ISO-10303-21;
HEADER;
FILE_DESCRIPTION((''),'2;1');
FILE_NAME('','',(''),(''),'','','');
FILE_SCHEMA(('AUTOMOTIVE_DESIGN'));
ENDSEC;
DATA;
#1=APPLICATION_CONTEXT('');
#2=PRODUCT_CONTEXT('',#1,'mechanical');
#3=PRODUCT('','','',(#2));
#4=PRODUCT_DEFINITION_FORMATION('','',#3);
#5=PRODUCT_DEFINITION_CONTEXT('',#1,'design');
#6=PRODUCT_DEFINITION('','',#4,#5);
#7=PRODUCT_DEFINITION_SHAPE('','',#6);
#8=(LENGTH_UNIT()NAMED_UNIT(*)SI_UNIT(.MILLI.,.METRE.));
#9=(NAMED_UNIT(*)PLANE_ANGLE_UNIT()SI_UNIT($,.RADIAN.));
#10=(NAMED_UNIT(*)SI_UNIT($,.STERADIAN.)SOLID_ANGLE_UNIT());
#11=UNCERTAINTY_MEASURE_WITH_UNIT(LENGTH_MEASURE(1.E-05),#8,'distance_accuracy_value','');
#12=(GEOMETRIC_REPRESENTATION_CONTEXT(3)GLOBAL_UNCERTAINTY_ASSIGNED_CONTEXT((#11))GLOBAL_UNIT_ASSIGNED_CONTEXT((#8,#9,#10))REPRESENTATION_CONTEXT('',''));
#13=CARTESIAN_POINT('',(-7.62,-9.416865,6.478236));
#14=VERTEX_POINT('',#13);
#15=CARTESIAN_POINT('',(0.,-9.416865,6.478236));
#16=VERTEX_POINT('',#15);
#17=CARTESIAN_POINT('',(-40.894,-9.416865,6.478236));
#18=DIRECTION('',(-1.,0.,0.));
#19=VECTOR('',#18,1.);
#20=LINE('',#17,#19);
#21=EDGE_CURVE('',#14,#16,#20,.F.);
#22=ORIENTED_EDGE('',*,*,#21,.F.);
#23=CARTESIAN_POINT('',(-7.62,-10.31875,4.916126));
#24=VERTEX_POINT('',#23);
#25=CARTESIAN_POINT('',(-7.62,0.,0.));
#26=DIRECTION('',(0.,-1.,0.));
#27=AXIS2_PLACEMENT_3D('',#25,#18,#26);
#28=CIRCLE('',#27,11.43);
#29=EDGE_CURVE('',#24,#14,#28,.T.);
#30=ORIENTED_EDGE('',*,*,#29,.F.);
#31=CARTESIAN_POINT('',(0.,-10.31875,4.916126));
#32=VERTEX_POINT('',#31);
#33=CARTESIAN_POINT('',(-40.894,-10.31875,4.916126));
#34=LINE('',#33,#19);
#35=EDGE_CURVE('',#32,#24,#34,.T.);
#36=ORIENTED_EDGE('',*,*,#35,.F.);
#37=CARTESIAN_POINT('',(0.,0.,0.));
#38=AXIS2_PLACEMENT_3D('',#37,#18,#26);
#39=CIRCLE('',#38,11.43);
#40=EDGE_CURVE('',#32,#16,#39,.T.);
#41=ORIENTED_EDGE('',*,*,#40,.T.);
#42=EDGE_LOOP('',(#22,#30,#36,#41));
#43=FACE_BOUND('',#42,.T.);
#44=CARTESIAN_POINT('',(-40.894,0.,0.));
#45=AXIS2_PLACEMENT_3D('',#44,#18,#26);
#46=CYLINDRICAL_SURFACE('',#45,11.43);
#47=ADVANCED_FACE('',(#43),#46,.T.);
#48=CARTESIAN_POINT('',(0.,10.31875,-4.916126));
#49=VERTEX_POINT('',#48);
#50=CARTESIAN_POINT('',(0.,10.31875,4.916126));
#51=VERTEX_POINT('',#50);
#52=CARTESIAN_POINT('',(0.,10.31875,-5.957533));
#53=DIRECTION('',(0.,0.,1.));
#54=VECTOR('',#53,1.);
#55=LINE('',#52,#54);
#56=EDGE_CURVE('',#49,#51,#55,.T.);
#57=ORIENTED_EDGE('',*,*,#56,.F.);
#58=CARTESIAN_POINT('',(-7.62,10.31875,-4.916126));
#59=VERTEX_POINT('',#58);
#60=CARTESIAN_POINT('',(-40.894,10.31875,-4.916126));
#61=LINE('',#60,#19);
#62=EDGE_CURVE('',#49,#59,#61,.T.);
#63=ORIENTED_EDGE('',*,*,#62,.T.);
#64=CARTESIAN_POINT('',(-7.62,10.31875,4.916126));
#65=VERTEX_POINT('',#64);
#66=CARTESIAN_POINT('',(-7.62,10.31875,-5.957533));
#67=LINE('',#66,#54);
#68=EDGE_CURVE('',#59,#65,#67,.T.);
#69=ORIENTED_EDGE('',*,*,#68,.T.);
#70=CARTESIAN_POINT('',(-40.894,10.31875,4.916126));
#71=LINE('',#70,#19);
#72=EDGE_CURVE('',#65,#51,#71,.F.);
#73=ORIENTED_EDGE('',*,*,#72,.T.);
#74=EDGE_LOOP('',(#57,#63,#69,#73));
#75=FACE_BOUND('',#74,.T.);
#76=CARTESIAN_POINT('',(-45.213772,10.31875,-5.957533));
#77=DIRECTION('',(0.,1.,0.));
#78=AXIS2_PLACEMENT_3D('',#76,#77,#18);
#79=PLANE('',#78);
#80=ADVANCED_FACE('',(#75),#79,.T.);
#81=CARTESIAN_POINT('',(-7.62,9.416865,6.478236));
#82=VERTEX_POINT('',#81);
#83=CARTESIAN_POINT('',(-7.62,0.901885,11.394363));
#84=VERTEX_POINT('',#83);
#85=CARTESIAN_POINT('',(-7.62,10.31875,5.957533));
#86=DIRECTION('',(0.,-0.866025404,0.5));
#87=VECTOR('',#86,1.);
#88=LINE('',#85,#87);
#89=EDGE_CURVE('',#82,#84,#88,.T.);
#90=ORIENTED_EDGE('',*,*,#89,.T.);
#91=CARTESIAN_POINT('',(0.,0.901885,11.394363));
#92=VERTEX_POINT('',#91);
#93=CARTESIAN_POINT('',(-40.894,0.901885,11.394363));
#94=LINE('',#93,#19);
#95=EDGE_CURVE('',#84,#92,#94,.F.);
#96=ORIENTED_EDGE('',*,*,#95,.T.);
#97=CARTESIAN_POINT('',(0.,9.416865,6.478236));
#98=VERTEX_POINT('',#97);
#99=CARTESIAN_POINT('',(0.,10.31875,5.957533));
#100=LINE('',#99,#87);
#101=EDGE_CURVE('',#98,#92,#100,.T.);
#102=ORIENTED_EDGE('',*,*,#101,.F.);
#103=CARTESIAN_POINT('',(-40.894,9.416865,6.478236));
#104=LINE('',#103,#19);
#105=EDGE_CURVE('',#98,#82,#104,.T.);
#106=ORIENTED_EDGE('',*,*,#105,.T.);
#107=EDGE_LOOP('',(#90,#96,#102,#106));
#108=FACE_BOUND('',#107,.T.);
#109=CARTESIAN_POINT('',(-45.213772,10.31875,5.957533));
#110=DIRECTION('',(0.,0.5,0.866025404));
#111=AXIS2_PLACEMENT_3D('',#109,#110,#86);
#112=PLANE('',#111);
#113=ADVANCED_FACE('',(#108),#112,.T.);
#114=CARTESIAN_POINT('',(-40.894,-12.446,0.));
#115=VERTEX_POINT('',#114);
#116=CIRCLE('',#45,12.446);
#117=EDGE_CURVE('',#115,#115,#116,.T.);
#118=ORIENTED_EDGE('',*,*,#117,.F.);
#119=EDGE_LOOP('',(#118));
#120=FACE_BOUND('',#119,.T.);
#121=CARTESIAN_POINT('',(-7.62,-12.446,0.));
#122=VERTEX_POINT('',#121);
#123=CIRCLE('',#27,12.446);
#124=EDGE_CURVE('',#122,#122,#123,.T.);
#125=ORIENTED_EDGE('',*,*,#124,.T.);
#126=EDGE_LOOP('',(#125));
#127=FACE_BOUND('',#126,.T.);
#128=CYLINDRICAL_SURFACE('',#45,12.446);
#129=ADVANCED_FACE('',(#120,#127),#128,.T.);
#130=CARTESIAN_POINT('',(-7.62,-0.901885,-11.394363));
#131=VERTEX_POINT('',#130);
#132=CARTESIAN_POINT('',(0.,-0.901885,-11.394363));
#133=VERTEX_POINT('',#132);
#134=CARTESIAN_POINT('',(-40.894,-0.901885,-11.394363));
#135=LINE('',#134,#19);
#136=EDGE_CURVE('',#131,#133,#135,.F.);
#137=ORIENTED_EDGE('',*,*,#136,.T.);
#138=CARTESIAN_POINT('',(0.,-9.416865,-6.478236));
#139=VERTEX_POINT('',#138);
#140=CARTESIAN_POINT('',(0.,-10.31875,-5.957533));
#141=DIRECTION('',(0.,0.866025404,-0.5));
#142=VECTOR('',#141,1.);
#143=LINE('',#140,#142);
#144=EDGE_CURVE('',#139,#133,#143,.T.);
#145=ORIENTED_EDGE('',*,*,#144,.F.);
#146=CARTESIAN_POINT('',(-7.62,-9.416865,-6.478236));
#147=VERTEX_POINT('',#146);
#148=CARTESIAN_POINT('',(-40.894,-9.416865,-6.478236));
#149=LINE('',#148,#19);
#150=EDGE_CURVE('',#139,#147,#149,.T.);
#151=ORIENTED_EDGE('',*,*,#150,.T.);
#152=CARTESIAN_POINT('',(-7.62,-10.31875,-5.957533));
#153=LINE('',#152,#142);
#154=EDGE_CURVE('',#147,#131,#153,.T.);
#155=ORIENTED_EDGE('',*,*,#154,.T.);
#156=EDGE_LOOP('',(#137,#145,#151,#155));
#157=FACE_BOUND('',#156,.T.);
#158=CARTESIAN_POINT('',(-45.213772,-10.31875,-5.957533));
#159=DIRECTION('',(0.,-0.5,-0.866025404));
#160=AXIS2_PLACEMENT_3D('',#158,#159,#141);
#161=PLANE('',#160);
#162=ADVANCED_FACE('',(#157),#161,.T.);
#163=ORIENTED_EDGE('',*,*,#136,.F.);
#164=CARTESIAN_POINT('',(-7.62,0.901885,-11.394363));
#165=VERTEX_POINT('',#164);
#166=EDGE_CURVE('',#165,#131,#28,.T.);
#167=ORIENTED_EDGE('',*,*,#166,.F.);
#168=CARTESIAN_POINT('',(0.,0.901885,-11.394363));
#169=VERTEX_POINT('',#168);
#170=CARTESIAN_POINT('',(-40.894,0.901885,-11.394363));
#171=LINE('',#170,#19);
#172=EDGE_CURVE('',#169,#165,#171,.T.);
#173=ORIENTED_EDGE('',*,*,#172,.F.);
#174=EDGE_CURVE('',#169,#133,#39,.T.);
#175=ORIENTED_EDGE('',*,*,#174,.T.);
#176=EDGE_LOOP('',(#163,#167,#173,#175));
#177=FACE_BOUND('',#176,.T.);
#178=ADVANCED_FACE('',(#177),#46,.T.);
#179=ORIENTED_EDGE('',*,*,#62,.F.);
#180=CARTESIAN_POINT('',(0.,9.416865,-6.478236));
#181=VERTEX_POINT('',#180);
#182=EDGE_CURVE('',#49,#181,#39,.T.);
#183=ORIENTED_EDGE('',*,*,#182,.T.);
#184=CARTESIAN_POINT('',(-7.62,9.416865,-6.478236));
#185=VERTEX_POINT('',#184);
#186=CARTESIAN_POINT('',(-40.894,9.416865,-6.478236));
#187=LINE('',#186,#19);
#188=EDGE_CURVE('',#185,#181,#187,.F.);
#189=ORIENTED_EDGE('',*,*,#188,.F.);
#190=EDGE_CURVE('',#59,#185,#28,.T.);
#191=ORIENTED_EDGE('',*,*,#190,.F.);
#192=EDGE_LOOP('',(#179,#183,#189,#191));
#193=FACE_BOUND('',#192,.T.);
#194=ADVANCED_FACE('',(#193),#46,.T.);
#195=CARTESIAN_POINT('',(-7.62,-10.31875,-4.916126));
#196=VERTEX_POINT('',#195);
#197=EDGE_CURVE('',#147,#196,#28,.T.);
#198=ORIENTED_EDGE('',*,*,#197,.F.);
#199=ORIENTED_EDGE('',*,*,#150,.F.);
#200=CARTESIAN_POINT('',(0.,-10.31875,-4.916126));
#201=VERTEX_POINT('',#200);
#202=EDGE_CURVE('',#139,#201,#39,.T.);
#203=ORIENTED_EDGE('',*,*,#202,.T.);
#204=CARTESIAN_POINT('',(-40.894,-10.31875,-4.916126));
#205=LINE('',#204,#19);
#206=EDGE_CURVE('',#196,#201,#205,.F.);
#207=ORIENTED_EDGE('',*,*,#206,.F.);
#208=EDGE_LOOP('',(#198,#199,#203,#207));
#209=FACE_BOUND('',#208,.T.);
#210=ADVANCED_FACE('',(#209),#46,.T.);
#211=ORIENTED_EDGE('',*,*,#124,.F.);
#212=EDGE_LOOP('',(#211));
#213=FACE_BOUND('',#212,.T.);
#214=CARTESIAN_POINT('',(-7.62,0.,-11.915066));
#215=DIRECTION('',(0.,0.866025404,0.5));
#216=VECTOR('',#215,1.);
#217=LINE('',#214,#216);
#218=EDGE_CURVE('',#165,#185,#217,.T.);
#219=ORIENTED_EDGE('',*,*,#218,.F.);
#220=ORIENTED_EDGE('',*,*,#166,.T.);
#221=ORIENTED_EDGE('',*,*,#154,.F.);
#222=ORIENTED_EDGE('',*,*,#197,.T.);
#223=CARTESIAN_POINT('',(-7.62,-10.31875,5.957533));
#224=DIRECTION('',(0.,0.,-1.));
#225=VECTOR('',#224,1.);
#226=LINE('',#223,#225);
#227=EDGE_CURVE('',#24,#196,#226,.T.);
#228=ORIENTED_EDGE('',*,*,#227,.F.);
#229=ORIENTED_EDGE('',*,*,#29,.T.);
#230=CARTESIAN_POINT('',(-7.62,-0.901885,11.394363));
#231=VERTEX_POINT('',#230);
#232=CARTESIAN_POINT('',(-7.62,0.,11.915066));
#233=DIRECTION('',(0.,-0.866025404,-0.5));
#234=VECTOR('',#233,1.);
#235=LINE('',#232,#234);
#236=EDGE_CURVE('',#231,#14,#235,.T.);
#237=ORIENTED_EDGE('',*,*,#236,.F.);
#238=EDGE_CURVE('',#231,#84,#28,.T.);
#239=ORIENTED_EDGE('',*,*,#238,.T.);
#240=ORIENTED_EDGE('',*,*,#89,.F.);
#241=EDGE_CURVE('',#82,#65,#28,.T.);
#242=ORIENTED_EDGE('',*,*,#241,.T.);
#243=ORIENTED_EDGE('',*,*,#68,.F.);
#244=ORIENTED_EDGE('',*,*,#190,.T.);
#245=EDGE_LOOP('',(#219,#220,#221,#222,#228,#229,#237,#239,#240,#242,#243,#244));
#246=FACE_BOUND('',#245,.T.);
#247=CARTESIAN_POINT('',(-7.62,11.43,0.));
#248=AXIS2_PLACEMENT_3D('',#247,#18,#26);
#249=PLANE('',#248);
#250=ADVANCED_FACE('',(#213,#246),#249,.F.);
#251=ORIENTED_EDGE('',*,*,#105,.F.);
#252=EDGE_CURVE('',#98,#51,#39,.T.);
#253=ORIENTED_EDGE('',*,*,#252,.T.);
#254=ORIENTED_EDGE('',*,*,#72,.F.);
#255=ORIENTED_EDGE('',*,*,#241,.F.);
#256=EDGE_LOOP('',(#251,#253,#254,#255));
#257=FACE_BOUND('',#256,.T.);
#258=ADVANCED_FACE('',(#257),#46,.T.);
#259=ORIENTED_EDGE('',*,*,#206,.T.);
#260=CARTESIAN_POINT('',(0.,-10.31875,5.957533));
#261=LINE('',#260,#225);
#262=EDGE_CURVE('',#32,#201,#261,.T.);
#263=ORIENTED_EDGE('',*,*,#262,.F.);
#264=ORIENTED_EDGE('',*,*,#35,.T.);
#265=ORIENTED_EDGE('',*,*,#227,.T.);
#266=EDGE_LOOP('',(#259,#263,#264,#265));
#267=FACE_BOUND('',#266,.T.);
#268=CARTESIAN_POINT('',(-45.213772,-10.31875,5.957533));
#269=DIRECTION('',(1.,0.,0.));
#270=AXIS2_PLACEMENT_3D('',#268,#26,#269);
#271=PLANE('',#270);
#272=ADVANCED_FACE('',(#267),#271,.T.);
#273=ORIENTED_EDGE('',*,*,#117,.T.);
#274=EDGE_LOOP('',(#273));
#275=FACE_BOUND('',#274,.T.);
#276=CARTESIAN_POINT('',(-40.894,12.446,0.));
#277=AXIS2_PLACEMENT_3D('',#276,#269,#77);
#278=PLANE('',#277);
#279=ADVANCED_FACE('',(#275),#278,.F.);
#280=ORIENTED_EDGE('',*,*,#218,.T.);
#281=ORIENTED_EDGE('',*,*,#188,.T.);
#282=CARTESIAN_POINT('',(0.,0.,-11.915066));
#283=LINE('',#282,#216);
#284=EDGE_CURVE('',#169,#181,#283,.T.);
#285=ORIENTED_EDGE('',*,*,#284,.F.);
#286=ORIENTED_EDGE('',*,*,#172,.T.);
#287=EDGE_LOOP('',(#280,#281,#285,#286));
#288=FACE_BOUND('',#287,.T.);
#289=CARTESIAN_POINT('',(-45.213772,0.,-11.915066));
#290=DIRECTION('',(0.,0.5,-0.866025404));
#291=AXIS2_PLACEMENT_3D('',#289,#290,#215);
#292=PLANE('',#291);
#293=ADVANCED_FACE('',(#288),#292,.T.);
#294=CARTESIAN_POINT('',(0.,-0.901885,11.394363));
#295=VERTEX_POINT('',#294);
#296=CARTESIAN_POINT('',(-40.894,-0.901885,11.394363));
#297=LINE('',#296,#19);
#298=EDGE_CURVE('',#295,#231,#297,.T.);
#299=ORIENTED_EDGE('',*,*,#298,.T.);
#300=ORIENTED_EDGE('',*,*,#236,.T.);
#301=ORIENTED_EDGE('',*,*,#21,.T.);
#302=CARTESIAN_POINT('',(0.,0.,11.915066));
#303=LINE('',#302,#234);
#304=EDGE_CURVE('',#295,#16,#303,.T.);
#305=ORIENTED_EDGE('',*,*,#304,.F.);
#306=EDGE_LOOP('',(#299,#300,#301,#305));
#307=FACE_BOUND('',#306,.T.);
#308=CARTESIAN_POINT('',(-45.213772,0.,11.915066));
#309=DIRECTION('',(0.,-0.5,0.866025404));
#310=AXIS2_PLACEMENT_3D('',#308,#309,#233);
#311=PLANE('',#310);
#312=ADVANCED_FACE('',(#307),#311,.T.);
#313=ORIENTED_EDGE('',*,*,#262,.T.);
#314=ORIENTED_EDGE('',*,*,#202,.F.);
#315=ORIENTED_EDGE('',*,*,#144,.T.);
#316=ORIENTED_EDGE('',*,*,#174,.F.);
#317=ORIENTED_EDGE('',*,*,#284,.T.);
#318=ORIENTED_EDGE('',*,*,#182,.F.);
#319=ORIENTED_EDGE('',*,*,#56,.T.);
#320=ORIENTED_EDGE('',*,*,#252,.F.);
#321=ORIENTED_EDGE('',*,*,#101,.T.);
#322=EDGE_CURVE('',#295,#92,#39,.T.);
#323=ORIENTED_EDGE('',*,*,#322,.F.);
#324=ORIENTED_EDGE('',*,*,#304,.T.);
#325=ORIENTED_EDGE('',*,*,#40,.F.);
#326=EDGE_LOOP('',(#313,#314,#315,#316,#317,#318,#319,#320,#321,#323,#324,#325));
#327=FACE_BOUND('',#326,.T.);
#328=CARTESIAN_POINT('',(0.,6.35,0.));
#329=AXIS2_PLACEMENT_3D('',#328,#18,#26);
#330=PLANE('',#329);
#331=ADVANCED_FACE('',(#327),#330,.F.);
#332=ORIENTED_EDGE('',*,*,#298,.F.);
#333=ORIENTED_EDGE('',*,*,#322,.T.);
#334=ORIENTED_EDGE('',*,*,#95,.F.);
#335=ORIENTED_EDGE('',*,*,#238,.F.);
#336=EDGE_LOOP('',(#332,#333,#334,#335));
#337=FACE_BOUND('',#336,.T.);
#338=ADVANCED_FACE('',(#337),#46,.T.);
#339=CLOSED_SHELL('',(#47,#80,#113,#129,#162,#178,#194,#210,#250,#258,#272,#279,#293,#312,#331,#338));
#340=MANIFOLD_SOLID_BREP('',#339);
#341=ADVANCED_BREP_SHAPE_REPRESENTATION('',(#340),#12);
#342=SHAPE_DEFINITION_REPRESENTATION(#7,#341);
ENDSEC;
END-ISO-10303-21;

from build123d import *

# Parameters (mm, degrees)
SKETCH3_OUTSIDE_W  = 40.796
SKETCH3_OUTSIDE_H  = 40.796
CUT_EXTRUDE5_DEPTH = 7.62
SKETCH4_R          = 6.35
CUT_EXTRUDE6_DEPTH = 20.05


with BuildPart() as part:
    # Sketch1 → Revolve1 (revolve)
    with BuildSketch(Plane.XY):
        Polygon((0, 11.43), (-7.62, 11.43), (-7.62, 12.446), (-40.894, 12.446), (-40.894, 0), (19.05, 0), (19.05, 6.35), (0, 6.35), align=None)
    revolve(axis=Axis((-40.894, 0, 0), (1, 0, 0)))

    # Sketch3 outside → Cut-Extrude5 (cut)
    with BuildSketch(Plane(origin=(0, 0, 0), x_dir=(0, 0, -1), z_dir=(1, 0, 0))):
        Rectangle(SKETCH3_OUTSIDE_W, SKETCH3_OUTSIDE_H)
        Polygon((5.95753309, 10.31875), (-5.95753309, 10.31875), (-11.91506618, 0), (-5.95753309, -10.31875), (5.95753309, -10.31875), (11.91506618, 0), align=None, mode=Mode.SUBTRACT)
    extrude(amount=-CUT_EXTRUDE5_DEPTH, mode=Mode.SUBTRACT)

    # Sketch4 → Cut-Extrude6 (cut, through all)
    with BuildSketch(Plane(origin=(0, 0, 0), x_dir=(0, 0, -1), z_dir=(1, 0, 0))):
        Circle(SKETCH4_R)
    extrude(amount=CUT_EXTRUDE6_DEPTH, mode=Mode.SUBTRACT)


solid = part.part
